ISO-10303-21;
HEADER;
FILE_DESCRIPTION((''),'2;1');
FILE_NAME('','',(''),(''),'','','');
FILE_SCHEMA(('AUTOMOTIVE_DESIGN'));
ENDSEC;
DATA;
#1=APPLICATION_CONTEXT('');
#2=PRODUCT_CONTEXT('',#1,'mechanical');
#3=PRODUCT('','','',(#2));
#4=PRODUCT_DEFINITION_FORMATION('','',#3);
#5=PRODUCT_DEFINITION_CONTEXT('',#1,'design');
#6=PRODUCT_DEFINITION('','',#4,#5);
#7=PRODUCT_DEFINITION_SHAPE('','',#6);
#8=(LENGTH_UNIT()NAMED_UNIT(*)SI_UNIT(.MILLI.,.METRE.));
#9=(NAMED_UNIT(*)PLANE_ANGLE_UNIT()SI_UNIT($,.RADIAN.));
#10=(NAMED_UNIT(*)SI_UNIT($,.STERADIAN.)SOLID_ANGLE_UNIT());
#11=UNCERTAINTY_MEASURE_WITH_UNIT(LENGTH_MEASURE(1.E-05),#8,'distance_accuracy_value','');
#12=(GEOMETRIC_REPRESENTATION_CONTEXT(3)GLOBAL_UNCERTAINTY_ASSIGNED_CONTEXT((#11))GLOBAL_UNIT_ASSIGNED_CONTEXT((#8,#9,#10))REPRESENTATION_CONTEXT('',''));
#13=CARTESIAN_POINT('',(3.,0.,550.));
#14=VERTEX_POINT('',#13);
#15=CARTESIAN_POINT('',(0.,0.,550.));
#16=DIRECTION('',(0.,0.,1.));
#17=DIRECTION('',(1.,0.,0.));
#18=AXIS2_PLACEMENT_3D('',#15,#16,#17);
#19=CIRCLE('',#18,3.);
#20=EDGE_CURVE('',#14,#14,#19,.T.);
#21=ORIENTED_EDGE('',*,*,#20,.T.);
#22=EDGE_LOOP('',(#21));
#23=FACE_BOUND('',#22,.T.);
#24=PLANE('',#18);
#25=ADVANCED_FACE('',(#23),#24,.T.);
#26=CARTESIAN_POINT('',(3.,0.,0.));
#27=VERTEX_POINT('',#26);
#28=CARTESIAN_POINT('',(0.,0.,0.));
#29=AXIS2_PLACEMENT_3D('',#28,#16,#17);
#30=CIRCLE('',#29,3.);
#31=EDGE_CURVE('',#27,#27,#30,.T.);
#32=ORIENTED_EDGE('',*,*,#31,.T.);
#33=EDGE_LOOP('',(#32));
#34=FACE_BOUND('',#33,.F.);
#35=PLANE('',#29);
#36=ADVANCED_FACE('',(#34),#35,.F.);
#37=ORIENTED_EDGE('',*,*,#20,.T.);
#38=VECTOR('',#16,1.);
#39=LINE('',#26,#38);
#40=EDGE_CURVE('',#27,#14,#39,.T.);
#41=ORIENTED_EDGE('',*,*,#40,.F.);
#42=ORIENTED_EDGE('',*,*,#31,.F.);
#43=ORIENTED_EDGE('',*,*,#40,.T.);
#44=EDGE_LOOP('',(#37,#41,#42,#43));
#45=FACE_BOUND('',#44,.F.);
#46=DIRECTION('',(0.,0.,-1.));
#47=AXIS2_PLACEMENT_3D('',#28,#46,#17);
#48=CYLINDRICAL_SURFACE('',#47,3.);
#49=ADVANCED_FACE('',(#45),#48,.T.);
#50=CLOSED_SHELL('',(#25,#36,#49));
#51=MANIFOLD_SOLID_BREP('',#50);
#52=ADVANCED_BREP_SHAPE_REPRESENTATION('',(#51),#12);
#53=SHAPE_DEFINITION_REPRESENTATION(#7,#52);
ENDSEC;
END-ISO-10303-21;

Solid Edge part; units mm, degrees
sketch "Sketch1" plane through (0, 0, 0) normal (0, 0, 1) x (1, 0, 0)
  circle A0 centre (0, 0) radius 3
  dimension "D1" = 6
extrude "Protrusion1" add sketch "Sketch1" along normal blind 550
